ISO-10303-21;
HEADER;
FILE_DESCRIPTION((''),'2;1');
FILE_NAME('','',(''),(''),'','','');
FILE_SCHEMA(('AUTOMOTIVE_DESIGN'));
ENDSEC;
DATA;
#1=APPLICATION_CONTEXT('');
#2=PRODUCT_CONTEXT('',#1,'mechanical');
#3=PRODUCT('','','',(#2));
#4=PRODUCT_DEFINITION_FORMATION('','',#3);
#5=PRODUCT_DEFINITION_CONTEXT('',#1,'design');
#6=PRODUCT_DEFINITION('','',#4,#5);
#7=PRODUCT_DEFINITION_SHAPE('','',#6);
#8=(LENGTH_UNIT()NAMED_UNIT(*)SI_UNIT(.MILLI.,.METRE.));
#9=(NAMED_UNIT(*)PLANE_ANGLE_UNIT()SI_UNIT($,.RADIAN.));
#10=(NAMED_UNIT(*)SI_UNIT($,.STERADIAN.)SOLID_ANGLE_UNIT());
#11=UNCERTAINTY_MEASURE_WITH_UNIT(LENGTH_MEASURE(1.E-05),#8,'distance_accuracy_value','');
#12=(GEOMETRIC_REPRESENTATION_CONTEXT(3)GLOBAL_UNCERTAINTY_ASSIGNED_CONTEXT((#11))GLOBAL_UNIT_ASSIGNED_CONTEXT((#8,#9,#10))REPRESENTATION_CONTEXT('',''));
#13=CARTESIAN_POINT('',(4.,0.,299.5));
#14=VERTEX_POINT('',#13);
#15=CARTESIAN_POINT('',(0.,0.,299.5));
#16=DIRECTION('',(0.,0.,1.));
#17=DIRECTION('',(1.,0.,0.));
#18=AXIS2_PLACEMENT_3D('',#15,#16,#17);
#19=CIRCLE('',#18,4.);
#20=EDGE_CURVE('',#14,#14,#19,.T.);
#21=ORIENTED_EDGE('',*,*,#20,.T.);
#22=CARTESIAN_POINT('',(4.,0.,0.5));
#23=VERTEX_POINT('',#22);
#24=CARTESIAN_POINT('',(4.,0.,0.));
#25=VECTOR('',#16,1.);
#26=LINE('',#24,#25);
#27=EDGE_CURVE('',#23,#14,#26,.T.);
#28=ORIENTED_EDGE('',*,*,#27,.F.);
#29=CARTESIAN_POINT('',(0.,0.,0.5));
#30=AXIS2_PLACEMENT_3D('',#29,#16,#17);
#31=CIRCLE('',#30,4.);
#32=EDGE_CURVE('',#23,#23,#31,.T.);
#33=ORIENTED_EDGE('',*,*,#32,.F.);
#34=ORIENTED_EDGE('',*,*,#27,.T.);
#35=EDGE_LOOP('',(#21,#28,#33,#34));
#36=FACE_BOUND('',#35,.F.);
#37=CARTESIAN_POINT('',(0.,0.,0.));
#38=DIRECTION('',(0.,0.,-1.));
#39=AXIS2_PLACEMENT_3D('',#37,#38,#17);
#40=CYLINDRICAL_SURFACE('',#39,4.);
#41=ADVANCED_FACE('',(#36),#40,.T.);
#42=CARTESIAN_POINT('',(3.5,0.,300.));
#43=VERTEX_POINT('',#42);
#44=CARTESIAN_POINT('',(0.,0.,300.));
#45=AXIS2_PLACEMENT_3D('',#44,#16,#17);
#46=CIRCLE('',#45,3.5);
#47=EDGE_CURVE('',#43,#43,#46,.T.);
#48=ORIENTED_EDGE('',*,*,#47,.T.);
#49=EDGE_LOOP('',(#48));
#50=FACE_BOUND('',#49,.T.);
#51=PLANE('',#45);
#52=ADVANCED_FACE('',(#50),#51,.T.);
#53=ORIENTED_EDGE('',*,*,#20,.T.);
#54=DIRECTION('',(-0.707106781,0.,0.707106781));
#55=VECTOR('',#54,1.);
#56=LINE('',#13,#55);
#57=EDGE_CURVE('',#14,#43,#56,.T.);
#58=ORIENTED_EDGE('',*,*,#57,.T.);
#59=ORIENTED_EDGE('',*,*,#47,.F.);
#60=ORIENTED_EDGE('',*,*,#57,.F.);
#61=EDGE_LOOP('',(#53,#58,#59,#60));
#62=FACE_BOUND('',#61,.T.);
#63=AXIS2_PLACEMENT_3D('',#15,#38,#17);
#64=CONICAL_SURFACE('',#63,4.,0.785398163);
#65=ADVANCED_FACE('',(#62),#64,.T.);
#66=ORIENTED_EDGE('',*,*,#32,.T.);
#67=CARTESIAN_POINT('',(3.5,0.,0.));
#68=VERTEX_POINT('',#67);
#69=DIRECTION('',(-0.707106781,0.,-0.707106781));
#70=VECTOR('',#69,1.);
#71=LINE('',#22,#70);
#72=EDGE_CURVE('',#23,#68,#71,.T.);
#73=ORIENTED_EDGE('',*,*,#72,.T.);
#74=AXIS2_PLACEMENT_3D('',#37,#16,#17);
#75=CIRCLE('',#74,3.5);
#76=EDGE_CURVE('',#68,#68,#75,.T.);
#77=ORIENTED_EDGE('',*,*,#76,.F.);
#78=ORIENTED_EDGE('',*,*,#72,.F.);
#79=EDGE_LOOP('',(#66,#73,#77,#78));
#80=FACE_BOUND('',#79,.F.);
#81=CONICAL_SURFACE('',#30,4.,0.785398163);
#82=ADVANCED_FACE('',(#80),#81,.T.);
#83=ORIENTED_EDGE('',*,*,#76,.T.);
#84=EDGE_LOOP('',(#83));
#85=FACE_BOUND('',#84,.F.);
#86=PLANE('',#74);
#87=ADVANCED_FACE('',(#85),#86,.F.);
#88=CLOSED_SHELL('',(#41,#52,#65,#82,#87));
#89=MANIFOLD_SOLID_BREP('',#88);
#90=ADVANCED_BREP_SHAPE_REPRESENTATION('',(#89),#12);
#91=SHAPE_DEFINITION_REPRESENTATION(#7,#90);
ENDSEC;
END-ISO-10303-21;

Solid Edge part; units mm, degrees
sketch "Sketch1" plane through (0, 0, 0) normal (0, 0, 1) x (1, 0, 0)
  circle A0 centre (0, 0) radius 4
extrude "Protrusion1" add sketch "Sketch1" along normal blind 300
cosmetic_thread "Thread1" size "M8"
chamfer "Chamfer_1" distance 0.5 angle 45 2 edges at (-4, 0, 0) (-4, 0, 300)
